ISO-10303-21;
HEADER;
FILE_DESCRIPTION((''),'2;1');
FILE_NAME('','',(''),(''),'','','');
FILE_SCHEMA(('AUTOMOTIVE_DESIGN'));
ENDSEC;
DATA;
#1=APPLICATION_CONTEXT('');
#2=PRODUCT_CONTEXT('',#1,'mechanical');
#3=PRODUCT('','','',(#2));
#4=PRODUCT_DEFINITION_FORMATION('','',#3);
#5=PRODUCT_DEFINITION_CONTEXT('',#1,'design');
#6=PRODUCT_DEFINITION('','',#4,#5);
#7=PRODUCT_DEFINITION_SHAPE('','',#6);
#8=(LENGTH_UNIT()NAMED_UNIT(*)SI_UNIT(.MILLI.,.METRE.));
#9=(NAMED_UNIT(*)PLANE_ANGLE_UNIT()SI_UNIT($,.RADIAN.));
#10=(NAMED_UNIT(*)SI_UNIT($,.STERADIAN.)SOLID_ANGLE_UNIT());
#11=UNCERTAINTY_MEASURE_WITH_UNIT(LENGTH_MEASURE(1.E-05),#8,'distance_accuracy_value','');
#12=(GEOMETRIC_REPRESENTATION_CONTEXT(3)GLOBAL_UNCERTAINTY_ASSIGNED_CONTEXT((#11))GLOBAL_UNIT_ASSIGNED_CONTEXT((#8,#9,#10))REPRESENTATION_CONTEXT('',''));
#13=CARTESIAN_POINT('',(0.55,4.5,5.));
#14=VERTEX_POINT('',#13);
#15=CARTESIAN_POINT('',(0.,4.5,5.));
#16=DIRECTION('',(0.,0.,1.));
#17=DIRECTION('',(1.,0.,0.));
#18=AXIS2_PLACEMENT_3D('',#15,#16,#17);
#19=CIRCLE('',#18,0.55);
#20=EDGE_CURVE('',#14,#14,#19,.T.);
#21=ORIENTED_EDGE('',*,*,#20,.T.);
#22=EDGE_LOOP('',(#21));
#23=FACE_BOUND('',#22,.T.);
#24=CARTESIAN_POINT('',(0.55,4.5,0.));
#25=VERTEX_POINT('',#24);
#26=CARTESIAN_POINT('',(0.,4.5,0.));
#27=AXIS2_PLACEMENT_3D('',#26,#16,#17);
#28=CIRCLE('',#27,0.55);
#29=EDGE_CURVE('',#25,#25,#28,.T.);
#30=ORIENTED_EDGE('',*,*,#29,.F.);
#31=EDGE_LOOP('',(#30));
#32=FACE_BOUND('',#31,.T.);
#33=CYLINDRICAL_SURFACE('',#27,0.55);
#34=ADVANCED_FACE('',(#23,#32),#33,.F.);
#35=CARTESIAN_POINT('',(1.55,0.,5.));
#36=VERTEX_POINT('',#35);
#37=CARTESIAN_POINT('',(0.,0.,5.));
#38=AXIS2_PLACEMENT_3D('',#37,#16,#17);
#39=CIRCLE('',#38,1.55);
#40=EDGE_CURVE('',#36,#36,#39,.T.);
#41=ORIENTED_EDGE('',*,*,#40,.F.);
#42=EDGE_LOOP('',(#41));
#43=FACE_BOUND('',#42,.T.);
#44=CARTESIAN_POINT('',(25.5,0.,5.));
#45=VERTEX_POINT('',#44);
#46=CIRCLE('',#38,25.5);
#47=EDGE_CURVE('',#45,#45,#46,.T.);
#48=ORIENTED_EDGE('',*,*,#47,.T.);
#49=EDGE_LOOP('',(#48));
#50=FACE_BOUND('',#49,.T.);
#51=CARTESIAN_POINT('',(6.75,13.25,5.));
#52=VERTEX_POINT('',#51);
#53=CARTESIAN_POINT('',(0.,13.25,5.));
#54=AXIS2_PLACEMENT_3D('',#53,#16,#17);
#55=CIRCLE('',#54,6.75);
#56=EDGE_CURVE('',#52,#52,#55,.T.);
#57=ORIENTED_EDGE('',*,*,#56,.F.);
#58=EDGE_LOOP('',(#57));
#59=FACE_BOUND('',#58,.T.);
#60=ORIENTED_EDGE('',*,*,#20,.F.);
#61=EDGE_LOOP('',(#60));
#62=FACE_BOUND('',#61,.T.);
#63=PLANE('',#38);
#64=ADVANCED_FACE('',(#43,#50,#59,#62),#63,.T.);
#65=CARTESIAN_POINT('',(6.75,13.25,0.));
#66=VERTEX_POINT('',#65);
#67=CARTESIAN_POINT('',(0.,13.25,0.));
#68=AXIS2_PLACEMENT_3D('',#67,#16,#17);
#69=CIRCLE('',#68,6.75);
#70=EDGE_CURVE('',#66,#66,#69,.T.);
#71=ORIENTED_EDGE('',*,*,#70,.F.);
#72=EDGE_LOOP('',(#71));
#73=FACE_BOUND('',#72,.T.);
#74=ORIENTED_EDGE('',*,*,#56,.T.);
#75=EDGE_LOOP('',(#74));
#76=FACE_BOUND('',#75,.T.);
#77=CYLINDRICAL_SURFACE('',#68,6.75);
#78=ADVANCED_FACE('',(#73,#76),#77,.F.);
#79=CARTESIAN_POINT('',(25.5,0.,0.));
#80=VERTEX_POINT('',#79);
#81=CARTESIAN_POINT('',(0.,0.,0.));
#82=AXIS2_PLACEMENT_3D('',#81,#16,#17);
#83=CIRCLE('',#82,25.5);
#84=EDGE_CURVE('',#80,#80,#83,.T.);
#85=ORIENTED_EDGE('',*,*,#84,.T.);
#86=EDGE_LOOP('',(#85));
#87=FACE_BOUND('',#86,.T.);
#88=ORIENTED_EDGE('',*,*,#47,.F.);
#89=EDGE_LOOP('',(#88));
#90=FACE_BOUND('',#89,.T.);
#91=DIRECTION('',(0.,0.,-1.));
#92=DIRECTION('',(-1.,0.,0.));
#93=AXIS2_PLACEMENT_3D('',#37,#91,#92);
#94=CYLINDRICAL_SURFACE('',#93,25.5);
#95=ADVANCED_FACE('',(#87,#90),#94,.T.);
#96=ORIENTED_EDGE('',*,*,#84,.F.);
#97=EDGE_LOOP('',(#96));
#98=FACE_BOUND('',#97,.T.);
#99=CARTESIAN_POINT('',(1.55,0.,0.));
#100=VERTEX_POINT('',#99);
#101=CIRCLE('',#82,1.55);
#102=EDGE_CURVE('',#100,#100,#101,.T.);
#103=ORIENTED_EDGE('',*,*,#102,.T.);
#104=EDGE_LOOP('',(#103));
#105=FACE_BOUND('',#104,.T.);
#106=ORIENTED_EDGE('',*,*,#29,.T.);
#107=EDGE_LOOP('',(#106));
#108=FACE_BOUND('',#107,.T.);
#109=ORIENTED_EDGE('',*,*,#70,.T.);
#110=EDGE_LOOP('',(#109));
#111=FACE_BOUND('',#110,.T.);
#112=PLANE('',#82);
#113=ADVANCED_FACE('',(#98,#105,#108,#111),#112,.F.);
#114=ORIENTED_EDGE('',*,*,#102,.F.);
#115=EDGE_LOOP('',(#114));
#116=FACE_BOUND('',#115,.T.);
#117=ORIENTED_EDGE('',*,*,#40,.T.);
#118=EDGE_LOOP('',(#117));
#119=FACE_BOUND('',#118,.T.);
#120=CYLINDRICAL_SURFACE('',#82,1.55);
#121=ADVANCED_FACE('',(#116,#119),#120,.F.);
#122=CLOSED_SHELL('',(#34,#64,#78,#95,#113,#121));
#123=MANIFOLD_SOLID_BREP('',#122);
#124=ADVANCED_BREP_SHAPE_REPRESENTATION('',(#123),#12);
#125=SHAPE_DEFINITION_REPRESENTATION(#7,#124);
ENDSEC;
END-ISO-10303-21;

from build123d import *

# Parameters (mm, degrees)
SKIZZE1_R                            = 25.5
AUFSATZ_LINEAR_AUSTRAGEN1_DEPTH      = 5
SCHNITT_LINEAR_AUSTRAGEN1_DEPTH      = 37.407416827
SCHNITT_LINEAR_AUSTRAGEN1_DEPTH_BACK = 37.407416827
SKIZZE2_R                            = 1.55
SKIZZE2_R_2                          = 0.55
SKIZZE2_R_3                          = 6.75


with BuildPart() as part:
    # Skizze1 → Aufsatz-Linear austragen1 (new body)
    with BuildSketch(Plane.XY):
        Circle(SKIZZE1_R)
    extrude(amount=AUFSATZ_LINEAR_AUSTRAGEN1_DEPTH)

    # Skizze2 → Schnitt-Linear austragen1 (cut, two sides: drawn at the far end of the back side and taken through both)
    with BuildSketch(Plane.XY.offset(5).offset(-SCHNITT_LINEAR_AUSTRAGEN1_DEPTH_BACK)):
        Circle(SKIZZE2_R)
        with Locations((0, 4.5)):
            Circle(SKIZZE2_R_2)
        with Locations((0, 13.25)):
            Circle(SKIZZE2_R_3)
    extrude(amount=SCHNITT_LINEAR_AUSTRAGEN1_DEPTH + SCHNITT_LINEAR_AUSTRAGEN1_DEPTH_BACK, mode=Mode.SUBTRACT)


solid = part.part
